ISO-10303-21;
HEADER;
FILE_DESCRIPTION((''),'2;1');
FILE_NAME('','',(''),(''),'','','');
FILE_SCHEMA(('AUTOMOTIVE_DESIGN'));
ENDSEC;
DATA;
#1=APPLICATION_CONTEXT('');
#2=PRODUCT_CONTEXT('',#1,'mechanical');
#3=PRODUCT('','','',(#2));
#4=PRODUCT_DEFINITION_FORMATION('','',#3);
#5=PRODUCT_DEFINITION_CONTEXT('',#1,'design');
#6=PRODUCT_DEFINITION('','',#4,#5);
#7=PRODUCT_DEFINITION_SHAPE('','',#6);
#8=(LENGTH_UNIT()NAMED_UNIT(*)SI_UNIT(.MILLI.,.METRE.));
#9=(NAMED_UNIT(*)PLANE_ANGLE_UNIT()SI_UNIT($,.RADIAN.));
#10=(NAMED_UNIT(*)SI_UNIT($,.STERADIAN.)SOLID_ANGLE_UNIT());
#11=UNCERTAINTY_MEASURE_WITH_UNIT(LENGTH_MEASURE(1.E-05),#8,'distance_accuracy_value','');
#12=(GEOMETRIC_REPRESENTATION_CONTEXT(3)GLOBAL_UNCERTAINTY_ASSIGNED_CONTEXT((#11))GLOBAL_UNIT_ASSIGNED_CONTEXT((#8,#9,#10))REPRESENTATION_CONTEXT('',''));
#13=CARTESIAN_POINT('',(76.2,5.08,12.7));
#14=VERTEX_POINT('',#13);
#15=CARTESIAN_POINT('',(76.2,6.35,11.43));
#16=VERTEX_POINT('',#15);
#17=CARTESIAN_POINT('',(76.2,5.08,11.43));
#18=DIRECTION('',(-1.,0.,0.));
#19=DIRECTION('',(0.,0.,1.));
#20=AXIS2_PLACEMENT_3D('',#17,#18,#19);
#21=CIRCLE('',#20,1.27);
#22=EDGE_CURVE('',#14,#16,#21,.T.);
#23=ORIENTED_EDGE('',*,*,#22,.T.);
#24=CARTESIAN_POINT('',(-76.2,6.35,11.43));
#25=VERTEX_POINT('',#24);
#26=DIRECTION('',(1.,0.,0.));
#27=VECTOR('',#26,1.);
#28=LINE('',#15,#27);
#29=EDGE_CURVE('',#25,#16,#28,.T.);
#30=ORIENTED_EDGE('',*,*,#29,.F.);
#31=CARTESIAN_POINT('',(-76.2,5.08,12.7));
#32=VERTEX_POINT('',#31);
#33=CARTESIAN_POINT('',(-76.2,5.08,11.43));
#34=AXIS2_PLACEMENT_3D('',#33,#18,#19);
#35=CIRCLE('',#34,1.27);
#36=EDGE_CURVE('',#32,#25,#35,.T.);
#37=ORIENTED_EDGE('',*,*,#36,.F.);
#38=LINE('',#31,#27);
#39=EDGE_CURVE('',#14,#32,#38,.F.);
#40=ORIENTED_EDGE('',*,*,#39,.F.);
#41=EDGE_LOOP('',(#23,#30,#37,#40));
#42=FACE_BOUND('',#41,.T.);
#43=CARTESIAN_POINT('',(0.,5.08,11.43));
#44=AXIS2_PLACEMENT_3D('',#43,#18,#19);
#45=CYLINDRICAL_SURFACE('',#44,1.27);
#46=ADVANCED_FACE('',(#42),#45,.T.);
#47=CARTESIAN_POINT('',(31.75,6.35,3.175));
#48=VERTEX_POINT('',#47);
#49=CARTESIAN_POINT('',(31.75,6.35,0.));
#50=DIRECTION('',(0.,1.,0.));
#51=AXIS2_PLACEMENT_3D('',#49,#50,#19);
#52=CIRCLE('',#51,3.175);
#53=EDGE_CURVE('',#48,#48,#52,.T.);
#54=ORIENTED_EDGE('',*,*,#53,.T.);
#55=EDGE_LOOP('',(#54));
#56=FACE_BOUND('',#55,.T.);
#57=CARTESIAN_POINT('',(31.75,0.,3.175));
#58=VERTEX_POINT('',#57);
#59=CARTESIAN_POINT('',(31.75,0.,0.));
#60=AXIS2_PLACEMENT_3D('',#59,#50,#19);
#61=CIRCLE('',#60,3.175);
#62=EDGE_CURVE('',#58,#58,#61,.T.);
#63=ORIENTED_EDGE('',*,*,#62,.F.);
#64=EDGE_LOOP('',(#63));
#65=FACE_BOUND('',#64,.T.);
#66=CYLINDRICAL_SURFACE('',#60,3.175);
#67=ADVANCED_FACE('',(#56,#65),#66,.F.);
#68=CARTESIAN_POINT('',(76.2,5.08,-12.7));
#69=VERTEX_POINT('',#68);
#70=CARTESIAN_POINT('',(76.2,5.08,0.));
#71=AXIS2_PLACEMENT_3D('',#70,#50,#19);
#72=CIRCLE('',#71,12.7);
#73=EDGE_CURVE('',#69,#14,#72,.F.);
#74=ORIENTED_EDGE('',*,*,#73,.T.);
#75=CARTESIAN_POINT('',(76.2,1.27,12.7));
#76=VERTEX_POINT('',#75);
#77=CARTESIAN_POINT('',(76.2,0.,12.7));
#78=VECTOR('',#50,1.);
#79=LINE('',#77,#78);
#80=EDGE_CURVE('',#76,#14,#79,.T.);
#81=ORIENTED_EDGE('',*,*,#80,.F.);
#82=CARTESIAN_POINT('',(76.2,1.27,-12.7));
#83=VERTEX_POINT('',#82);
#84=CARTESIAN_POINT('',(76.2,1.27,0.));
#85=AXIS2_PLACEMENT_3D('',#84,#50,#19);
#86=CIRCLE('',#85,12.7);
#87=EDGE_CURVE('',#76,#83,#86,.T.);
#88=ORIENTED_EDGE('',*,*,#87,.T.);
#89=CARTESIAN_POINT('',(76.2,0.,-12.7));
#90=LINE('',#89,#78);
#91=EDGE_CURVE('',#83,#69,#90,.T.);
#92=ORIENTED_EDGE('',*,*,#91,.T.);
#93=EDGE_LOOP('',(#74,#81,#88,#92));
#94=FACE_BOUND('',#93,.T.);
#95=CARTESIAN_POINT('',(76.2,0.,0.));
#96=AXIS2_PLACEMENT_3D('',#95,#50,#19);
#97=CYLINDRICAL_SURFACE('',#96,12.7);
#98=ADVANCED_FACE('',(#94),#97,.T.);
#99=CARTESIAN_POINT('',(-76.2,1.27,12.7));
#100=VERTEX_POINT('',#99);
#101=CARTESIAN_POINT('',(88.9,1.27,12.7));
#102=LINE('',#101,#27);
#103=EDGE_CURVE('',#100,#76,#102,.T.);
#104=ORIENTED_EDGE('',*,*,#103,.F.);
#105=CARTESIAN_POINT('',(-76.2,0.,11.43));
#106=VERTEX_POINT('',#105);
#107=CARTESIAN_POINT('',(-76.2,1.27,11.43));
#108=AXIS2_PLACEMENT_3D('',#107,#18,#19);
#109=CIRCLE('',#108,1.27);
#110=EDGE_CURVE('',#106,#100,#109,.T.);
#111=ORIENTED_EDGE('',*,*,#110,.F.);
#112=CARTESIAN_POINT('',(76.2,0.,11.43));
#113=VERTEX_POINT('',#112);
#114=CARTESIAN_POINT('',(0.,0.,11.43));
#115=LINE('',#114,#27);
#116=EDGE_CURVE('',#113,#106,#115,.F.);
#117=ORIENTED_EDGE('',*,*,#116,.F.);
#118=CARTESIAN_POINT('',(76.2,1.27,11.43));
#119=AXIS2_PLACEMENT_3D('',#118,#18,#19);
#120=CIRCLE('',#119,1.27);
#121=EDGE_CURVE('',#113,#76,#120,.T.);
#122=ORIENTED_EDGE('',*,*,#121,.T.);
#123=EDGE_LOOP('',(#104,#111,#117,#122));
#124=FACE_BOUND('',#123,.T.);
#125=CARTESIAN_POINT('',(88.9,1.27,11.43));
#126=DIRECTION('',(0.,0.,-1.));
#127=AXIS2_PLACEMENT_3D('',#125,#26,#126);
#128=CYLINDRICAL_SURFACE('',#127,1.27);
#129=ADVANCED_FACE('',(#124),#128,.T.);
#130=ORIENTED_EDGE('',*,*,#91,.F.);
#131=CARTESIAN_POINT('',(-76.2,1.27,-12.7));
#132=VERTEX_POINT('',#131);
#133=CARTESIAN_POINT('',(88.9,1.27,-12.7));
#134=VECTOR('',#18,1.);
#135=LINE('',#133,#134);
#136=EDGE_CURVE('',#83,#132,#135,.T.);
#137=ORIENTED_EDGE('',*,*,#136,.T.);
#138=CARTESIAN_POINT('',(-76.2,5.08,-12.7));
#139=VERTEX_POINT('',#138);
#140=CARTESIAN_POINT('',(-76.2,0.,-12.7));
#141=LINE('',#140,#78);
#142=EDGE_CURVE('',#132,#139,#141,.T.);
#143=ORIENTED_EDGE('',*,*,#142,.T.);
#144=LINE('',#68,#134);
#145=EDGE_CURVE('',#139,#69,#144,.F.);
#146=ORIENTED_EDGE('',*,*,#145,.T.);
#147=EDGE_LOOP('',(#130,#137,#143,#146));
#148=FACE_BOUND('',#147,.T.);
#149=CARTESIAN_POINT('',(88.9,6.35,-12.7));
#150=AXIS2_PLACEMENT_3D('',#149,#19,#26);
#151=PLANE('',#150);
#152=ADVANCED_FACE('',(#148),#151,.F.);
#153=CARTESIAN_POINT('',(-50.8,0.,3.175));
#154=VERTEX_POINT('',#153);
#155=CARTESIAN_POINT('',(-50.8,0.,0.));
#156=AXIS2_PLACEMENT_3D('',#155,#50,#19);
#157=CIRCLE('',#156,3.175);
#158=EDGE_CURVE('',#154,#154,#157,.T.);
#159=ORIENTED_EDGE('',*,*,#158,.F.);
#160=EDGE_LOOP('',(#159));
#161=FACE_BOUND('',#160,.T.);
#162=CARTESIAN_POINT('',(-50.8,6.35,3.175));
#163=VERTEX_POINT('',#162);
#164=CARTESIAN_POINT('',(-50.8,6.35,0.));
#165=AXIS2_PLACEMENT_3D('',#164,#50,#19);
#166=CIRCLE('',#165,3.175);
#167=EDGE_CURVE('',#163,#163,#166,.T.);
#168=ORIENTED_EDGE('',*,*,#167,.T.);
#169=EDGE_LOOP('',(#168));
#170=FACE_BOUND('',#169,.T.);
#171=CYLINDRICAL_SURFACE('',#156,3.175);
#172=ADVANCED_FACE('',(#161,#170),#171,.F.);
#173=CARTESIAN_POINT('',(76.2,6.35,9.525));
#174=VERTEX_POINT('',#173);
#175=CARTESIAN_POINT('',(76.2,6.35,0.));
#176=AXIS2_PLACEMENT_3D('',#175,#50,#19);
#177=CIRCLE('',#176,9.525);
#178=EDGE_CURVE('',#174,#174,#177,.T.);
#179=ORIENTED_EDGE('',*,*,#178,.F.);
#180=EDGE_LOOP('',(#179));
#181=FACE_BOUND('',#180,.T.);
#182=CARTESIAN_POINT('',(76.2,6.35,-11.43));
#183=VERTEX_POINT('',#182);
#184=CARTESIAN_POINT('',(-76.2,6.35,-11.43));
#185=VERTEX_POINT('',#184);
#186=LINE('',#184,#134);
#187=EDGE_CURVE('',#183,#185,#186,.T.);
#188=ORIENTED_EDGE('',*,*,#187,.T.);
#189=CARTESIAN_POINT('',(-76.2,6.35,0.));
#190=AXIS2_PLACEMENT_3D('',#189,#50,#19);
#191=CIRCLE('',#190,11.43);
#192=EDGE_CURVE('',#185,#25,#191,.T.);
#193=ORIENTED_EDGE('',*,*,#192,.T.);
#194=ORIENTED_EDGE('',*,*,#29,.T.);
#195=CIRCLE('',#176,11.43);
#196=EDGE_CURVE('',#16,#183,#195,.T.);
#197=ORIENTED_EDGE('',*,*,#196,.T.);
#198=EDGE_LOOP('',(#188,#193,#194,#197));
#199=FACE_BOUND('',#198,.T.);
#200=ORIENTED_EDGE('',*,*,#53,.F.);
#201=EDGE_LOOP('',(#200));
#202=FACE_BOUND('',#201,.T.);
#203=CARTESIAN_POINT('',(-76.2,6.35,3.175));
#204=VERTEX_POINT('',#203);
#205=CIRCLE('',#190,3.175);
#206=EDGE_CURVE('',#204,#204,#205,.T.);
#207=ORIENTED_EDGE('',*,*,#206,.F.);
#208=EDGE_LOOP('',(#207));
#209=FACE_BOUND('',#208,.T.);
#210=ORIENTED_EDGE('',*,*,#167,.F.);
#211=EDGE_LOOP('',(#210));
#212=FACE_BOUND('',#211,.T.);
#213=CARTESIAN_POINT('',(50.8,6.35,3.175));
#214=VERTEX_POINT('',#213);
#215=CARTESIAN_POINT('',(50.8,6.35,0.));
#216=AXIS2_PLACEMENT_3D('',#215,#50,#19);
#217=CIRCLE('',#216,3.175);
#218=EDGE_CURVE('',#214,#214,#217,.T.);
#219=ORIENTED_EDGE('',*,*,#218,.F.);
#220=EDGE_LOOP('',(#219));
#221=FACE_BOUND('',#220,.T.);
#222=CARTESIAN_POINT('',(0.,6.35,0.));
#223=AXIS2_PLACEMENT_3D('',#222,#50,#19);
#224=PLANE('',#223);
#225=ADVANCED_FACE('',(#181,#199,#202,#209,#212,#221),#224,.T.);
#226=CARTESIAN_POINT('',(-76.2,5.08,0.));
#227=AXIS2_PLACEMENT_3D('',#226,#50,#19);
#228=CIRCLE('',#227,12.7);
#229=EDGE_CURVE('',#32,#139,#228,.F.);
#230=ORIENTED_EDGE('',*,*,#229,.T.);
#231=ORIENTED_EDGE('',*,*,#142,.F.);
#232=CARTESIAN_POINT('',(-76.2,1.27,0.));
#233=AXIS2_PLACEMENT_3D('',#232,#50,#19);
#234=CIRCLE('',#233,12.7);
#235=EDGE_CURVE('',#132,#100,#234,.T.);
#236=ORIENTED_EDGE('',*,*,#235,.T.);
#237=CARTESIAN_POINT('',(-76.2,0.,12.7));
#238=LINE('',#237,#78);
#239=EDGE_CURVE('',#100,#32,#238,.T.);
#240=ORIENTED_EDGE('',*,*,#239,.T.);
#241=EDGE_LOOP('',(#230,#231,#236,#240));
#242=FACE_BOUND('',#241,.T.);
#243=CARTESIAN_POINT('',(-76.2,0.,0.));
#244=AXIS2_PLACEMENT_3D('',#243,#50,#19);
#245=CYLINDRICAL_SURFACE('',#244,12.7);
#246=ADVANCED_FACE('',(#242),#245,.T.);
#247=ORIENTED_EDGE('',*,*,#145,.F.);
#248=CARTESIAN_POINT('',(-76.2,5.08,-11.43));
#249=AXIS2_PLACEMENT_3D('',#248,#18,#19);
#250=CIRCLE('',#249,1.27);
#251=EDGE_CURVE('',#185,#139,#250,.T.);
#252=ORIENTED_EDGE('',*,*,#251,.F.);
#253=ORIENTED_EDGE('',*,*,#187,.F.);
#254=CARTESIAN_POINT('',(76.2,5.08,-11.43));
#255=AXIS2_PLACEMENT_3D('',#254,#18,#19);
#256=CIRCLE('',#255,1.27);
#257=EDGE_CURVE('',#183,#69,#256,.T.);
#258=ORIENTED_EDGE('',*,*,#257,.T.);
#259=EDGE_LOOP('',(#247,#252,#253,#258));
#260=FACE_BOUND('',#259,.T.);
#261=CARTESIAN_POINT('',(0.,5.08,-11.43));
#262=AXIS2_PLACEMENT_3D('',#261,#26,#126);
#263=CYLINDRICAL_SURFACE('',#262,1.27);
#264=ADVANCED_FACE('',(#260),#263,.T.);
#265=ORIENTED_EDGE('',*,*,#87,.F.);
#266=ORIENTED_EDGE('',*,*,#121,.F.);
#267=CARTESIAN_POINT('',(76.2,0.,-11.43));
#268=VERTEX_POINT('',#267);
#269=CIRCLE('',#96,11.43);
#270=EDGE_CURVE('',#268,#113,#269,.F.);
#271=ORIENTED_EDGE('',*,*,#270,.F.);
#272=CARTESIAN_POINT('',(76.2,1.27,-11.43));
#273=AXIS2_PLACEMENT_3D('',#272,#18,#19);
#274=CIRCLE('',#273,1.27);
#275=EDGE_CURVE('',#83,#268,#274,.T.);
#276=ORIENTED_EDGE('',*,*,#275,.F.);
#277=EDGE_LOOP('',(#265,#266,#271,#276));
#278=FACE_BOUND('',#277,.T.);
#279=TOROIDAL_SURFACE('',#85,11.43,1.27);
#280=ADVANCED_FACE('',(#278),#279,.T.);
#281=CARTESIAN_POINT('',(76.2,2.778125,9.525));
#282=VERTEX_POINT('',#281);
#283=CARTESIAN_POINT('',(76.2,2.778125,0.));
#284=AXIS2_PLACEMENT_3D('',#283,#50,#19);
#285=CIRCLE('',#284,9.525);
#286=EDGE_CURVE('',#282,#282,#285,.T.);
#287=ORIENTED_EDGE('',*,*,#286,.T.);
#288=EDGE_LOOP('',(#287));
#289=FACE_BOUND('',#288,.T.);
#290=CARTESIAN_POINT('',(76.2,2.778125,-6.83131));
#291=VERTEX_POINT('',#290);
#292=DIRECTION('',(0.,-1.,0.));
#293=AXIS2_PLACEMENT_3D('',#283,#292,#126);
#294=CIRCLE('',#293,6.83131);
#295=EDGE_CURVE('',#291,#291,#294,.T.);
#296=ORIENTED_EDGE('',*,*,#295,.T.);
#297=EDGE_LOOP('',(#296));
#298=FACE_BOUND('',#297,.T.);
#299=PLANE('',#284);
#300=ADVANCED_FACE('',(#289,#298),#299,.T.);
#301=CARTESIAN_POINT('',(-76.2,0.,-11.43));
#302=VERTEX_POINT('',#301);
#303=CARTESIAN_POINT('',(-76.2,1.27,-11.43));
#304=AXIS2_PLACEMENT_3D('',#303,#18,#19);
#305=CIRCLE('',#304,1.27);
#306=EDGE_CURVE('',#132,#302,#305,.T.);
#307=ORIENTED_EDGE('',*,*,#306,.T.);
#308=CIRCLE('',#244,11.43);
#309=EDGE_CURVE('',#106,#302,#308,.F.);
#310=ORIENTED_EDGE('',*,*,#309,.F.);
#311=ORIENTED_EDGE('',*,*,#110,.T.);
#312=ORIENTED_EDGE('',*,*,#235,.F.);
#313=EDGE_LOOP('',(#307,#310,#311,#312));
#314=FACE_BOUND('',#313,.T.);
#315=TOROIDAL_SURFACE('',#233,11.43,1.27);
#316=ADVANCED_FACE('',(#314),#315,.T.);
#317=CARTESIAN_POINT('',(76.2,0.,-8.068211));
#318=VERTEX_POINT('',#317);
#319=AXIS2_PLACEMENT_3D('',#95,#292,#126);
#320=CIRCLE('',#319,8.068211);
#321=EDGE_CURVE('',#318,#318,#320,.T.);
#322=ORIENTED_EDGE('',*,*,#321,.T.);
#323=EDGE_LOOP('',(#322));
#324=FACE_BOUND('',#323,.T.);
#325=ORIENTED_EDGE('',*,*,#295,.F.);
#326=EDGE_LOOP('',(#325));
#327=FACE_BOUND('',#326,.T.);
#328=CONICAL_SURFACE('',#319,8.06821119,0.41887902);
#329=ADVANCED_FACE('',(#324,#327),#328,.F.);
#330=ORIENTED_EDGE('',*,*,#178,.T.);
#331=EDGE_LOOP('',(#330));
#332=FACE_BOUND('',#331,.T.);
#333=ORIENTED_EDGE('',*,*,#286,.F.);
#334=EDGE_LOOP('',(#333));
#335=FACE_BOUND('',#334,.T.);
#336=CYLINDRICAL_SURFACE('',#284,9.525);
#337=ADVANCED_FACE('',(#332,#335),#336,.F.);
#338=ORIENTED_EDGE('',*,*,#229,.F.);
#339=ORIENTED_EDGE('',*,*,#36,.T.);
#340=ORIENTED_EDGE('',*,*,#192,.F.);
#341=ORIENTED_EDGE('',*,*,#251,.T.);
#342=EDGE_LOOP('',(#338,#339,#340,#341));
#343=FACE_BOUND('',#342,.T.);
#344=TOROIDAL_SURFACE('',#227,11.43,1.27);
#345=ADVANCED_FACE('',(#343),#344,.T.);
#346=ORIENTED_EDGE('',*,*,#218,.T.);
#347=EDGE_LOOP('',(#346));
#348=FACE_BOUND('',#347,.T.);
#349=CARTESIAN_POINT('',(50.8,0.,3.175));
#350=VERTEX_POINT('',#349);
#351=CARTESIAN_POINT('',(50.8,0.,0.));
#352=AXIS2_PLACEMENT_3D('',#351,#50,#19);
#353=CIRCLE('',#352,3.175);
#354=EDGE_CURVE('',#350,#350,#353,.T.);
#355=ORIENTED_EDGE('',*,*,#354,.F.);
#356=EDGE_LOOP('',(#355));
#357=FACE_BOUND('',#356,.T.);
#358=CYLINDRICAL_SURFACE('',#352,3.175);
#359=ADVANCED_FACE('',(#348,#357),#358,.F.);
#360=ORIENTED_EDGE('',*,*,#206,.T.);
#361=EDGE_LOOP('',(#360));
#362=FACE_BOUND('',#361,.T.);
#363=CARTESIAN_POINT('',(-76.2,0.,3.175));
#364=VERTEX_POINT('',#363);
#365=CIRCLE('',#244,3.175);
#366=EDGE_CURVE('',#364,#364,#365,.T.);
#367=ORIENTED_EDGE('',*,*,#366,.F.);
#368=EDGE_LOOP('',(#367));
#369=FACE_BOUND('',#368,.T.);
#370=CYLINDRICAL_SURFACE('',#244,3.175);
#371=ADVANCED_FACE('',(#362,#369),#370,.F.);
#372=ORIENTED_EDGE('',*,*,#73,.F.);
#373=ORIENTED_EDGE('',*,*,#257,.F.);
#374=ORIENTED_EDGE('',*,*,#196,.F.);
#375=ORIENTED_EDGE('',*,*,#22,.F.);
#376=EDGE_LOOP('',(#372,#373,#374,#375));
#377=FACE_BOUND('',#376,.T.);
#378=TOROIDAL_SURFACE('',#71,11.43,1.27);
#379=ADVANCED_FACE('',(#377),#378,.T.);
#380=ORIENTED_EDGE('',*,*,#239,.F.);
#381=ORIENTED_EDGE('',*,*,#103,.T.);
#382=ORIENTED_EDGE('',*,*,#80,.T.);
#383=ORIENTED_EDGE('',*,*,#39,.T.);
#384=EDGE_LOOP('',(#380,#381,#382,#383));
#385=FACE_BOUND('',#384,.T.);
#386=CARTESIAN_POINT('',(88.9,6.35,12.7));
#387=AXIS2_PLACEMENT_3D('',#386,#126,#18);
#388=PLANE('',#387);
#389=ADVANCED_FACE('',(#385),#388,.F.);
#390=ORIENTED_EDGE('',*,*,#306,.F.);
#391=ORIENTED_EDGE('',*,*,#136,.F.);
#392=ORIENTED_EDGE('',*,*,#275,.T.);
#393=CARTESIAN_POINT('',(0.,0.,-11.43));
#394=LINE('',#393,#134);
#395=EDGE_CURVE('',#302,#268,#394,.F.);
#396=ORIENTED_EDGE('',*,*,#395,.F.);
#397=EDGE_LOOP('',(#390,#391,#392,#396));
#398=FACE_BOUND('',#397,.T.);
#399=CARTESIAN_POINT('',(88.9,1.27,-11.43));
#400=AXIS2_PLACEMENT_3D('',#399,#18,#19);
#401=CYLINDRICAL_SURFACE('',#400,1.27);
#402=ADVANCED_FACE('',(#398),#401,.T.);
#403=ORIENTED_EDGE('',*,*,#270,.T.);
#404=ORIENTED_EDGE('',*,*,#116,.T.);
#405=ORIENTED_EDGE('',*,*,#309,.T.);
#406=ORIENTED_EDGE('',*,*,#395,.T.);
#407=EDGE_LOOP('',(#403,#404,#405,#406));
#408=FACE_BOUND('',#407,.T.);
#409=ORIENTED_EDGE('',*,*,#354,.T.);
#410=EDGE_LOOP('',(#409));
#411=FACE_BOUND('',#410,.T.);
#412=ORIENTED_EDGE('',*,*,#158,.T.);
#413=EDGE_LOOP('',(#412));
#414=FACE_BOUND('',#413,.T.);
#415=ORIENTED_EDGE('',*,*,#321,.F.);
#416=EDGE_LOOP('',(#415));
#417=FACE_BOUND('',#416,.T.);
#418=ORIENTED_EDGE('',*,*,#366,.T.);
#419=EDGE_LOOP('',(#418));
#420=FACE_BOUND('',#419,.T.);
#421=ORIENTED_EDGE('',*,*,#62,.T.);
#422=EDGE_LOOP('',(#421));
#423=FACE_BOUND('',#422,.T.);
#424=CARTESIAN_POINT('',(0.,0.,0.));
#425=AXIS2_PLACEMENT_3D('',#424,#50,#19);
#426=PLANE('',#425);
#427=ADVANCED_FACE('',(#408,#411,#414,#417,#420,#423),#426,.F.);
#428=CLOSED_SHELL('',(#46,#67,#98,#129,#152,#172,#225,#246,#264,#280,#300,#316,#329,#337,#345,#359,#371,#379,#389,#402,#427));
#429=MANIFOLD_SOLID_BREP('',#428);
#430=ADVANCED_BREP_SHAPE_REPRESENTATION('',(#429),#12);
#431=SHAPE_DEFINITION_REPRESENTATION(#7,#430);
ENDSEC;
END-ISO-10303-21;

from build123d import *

# Parameters (mm, degrees)
SKETCH1_W           = 177.8
SKETCH1_H           = 25.4
BOSS_EXTRUDE1_DEPTH = 6.35
SKETCH2_R           = 3.175
SKETCH2_R_2         = 6.35
CUT_EXTRUDE1_DEPTH  = 91.02678768
SKETCH3_R           = 9.525
CUT_EXTRUDE2_DEPTH  = 3.571875
SKETCH4_R           = 3.175
CUT_EXTRUDE3_DEPTH  = 91.02678768
CUT_EXTRUDE4_DEPTH  = 91.02678768
FILLET1_R           = 1.27


with BuildPart() as part:
    # Sketch1 → Boss-Extrude1 (new body)
    with BuildSketch(Plane(origin=(0, 0, 0), x_dir=(1, 0, 0), z_dir=(0, 1, 0))):
        Rectangle(SKETCH1_W, SKETCH1_H)
    extrude(amount=BOSS_EXTRUDE1_DEPTH)

    # Sketch2 → Cut-Extrude1 (cut, through all)
    with BuildSketch(Plane(origin=(0, 6.35, 0), x_dir=(1, 0, 0), z_dir=(0, 1, 0))):
        with Locations(Location((-76.2, 0, 0), (0, 0, 270))):
            Circle(SKETCH2_R)
        with Locations(Location((76.2, 0, 0), (0, 0, 270))):
            Circle(SKETCH2_R_2)
        with Locations(Location((-50.8, 0, 0), (0, 0, 270))):
            Circle(SKETCH2_R)
    extrude(amount=-CUT_EXTRUDE1_DEPTH, mode=Mode.SUBTRACT)

    # Sketch3 → Cut-Extrude2 (cut)
    with BuildSketch(Plane(origin=(0, 6.35, 0), x_dir=(1, 0, 0), z_dir=(0, 1, 0))):
        with Locations(Location((76.2, 0, 0), (0, 0, 270))):
            Circle(SKETCH3_R)
    extrude(amount=-CUT_EXTRUDE2_DEPTH, mode=Mode.SUBTRACT)

    # Sketch4 → Cut-Extrude3 (cut, through all)
    with BuildSketch(Plane(origin=(0, 6.35, 0), x_dir=(1, 0, 0), z_dir=(0, 1, 0))):
        with Locations(Location((50.8, 0, 0), (0, 0, 270))):
            Circle(SKETCH4_R)
        with Locations(Location((31.75, 0, 0), (0, 0, 270))):
            Circle(SKETCH4_R)
    extrude(amount=-CUT_EXTRUDE3_DEPTH, mode=Mode.SUBTRACT)

    # Sketch5 → Cut-Extrude4 (cut, through all)
    with BuildSketch(Plane(origin=(0, 6.35, 0), x_dir=(1, 0, 0), z_dir=(0, 1, 0))):
        with BuildLine():
            Line((88.9, 12.7), (76.2, 12.7))
            ThreePointArc((76.2, 12.7), (85.180256121, 8.980256121), (88.9, 0))
            Line((88.9, 0), (88.9, 12.7))
        make_face()
        with BuildLine():
            ThreePointArc((88.9, 0), (85.180256121, -8.980256121), (76.2, -12.7))
            Line((76.2, -12.7), (88.9, -12.7))
            Line((88.9, -12.7), (88.9, 0))
        make_face()
        with BuildLine():
            ThreePointArc((-88.9, 0), (-85.180256121, 8.980256121), (-76.2, 12.7))
            Line((-76.2, 12.7), (-88.9, 12.7))
            Line((-88.9, 12.7), (-88.9, 0))
        make_face()
        with BuildLine():
            Line((-88.9, -12.7), (-76.2, -12.7))
            ThreePointArc((-76.2, -12.7), (-85.180256121, -8.980256121), (-88.9, 0))
            Line((-88.9, 0), (-88.9, -12.7))
        make_face()
    extrude(amount=-CUT_EXTRUDE4_DEPTH, mode=Mode.SUBTRACT)

    # Fillet1
    fillet1_edges = [part.edges().sort_by_distance(p)[0] for p in [
        (0, 0, -12.7),
        (0, 0, 12.7),
        (0, 6.35, 12.7),
        (0, 6.35, -12.7),
        (88.9, 6.35, 0),
        (88.9, 0, 0),
        (-88.9, 6.35, 0),
        (-88.9, 0, 0),
    ]]
    fillet(fillet1_edges, radius=FILLET1_R)

    # Sketch6 → Cut-Revolve2 (revolve, cut)
    with BuildSketch(Plane.ZY.offset(-76.2)):
        Polygon((-8.06821119, 0), (-6.35, 0), (-6.35, 2.778125), (-6.831310248, 2.778125), align=None)
    revolve(axis=Axis((76.2, 0, 0), (0, 1, 0)), mode=Mode.SUBTRACT)


solid = part.part
